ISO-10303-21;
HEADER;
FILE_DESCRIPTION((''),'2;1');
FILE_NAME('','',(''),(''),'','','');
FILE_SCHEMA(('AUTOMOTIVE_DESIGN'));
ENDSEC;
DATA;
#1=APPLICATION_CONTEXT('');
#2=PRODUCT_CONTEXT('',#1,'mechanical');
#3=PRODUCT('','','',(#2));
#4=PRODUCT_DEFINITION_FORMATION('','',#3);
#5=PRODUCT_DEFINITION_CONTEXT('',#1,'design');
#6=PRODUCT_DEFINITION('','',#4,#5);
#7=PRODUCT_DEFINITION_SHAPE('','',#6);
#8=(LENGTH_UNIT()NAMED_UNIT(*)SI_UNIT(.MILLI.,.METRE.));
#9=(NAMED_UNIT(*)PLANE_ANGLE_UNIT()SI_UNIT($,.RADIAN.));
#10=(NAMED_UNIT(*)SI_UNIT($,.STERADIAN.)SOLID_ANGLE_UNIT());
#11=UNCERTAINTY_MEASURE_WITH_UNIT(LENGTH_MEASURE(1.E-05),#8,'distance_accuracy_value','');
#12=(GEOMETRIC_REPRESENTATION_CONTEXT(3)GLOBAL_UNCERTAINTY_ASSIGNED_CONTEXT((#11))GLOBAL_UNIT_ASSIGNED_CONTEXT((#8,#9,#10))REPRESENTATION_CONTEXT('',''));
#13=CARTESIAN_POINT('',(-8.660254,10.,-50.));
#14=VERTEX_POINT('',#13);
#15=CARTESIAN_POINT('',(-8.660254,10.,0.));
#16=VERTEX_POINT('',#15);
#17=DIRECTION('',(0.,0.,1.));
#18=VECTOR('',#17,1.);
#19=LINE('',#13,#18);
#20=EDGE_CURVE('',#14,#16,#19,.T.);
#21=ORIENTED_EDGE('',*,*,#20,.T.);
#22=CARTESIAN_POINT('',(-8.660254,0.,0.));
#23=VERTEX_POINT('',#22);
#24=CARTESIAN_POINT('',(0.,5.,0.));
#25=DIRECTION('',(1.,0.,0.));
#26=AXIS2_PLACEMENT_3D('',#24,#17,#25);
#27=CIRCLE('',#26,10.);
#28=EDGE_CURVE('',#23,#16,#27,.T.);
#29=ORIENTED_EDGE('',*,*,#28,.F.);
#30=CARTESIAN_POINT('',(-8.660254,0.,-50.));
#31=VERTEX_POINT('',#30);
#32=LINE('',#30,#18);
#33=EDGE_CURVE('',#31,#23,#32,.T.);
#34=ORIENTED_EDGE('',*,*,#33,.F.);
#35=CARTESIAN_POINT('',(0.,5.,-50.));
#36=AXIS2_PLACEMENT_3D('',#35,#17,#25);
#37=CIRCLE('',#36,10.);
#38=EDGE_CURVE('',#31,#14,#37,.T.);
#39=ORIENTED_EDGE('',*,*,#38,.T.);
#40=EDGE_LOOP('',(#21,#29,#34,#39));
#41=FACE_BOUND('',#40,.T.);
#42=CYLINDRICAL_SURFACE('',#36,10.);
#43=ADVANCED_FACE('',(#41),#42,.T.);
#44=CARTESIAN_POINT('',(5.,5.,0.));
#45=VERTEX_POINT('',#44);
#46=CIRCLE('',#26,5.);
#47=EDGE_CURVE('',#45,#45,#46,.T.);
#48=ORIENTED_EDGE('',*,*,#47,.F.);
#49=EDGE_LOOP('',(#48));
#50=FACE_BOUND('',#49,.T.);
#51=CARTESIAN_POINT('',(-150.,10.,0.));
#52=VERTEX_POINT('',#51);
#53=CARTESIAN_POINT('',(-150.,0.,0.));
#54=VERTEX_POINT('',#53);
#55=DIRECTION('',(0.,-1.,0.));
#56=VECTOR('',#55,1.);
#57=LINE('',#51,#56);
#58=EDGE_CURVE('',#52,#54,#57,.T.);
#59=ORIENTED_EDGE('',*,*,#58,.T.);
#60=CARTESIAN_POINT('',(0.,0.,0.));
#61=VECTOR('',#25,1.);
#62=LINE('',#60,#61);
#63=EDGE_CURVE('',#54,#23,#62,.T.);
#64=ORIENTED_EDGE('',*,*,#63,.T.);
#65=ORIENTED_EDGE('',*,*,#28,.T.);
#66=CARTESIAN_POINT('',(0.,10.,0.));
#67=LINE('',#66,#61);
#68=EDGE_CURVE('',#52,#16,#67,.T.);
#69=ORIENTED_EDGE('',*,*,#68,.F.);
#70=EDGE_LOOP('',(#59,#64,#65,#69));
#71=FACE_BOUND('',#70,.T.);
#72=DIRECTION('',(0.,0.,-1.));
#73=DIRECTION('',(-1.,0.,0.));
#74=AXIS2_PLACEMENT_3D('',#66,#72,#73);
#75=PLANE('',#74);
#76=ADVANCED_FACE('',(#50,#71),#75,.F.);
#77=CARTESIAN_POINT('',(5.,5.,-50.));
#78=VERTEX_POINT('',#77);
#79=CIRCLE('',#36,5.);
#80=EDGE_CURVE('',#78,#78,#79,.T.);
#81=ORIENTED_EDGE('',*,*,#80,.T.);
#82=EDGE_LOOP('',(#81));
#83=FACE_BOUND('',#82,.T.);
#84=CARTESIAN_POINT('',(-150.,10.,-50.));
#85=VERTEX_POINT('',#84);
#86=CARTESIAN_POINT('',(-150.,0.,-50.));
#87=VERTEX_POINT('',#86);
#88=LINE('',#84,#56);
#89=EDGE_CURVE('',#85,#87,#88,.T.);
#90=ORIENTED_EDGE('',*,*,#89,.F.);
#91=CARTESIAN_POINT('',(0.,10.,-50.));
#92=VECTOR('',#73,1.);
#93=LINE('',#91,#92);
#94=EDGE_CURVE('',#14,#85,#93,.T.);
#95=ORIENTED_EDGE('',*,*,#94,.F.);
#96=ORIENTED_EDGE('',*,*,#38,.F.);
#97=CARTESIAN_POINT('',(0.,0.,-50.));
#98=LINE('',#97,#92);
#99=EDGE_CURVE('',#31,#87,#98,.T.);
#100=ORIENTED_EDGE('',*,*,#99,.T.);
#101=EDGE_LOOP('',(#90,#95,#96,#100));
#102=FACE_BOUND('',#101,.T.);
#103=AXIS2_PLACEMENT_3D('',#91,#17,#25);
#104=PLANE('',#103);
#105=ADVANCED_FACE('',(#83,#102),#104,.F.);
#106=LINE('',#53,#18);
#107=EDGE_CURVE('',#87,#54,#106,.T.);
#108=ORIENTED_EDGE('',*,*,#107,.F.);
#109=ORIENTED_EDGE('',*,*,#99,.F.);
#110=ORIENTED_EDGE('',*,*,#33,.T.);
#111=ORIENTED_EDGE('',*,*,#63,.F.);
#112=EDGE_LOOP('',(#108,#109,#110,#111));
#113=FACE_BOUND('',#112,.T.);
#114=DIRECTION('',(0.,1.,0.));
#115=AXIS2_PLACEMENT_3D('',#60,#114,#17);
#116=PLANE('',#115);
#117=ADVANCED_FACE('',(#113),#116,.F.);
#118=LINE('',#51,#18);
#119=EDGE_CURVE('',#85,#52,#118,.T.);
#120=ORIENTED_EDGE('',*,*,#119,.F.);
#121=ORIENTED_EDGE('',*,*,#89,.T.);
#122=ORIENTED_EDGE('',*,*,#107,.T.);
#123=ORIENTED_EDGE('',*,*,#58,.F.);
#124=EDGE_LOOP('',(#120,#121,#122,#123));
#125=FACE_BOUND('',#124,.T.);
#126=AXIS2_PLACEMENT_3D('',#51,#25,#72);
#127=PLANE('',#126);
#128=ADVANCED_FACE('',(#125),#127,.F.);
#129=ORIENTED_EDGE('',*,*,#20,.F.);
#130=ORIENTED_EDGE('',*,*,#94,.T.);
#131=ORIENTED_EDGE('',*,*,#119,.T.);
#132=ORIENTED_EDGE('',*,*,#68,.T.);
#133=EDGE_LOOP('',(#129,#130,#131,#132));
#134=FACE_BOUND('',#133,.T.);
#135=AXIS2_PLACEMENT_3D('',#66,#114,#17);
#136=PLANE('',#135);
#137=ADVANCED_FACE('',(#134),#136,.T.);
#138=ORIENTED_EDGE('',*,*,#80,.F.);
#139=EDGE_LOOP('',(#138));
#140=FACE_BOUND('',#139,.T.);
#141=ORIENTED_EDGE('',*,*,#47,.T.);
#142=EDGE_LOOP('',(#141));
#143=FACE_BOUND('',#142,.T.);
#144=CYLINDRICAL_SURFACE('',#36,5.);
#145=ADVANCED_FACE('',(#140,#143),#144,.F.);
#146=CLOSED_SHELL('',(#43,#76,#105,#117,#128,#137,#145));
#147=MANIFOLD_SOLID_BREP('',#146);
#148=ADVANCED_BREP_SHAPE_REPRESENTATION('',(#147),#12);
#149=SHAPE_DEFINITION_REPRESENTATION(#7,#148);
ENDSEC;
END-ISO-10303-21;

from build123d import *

# Parameters (mm, degrees)
SKETCH1_W           = 150
SKETCH1_H           = 50
BOSS_EXTRUDE1_DEPTH = 10
SKETCH2_R           = 10
BOSS_EXTRUDE2_DEPTH = 50
SKETCH3_R           = 5
CUT_EXTRUDE1_DEPTH  = 51


with BuildPart() as part:
    # Sketch1 → Boss-Extrude1 (new body)
    with BuildSketch(Plane(origin=(0, 0, 0), x_dir=(1, 0, 0), z_dir=(0, 1, 0))):
        with Locations((-75, 25)):
            Rectangle(SKETCH1_W, SKETCH1_H)
    extrude(amount=BOSS_EXTRUDE1_DEPTH)

    # Sketch2 → Boss-Extrude2 (add, through all)
    with BuildSketch(Plane.XY):
        with Locations((0, 5)):
            Circle(SKETCH2_R)
    extrude(amount=-BOSS_EXTRUDE2_DEPTH)

    # Sketch3 → Cut-Extrude1 (cut, through all)
    with BuildSketch(Plane.XY):
        with Locations((0, 5)):
            Circle(SKETCH3_R)
    extrude(amount=-CUT_EXTRUDE1_DEPTH, mode=Mode.SUBTRACT)


solid = part.part
